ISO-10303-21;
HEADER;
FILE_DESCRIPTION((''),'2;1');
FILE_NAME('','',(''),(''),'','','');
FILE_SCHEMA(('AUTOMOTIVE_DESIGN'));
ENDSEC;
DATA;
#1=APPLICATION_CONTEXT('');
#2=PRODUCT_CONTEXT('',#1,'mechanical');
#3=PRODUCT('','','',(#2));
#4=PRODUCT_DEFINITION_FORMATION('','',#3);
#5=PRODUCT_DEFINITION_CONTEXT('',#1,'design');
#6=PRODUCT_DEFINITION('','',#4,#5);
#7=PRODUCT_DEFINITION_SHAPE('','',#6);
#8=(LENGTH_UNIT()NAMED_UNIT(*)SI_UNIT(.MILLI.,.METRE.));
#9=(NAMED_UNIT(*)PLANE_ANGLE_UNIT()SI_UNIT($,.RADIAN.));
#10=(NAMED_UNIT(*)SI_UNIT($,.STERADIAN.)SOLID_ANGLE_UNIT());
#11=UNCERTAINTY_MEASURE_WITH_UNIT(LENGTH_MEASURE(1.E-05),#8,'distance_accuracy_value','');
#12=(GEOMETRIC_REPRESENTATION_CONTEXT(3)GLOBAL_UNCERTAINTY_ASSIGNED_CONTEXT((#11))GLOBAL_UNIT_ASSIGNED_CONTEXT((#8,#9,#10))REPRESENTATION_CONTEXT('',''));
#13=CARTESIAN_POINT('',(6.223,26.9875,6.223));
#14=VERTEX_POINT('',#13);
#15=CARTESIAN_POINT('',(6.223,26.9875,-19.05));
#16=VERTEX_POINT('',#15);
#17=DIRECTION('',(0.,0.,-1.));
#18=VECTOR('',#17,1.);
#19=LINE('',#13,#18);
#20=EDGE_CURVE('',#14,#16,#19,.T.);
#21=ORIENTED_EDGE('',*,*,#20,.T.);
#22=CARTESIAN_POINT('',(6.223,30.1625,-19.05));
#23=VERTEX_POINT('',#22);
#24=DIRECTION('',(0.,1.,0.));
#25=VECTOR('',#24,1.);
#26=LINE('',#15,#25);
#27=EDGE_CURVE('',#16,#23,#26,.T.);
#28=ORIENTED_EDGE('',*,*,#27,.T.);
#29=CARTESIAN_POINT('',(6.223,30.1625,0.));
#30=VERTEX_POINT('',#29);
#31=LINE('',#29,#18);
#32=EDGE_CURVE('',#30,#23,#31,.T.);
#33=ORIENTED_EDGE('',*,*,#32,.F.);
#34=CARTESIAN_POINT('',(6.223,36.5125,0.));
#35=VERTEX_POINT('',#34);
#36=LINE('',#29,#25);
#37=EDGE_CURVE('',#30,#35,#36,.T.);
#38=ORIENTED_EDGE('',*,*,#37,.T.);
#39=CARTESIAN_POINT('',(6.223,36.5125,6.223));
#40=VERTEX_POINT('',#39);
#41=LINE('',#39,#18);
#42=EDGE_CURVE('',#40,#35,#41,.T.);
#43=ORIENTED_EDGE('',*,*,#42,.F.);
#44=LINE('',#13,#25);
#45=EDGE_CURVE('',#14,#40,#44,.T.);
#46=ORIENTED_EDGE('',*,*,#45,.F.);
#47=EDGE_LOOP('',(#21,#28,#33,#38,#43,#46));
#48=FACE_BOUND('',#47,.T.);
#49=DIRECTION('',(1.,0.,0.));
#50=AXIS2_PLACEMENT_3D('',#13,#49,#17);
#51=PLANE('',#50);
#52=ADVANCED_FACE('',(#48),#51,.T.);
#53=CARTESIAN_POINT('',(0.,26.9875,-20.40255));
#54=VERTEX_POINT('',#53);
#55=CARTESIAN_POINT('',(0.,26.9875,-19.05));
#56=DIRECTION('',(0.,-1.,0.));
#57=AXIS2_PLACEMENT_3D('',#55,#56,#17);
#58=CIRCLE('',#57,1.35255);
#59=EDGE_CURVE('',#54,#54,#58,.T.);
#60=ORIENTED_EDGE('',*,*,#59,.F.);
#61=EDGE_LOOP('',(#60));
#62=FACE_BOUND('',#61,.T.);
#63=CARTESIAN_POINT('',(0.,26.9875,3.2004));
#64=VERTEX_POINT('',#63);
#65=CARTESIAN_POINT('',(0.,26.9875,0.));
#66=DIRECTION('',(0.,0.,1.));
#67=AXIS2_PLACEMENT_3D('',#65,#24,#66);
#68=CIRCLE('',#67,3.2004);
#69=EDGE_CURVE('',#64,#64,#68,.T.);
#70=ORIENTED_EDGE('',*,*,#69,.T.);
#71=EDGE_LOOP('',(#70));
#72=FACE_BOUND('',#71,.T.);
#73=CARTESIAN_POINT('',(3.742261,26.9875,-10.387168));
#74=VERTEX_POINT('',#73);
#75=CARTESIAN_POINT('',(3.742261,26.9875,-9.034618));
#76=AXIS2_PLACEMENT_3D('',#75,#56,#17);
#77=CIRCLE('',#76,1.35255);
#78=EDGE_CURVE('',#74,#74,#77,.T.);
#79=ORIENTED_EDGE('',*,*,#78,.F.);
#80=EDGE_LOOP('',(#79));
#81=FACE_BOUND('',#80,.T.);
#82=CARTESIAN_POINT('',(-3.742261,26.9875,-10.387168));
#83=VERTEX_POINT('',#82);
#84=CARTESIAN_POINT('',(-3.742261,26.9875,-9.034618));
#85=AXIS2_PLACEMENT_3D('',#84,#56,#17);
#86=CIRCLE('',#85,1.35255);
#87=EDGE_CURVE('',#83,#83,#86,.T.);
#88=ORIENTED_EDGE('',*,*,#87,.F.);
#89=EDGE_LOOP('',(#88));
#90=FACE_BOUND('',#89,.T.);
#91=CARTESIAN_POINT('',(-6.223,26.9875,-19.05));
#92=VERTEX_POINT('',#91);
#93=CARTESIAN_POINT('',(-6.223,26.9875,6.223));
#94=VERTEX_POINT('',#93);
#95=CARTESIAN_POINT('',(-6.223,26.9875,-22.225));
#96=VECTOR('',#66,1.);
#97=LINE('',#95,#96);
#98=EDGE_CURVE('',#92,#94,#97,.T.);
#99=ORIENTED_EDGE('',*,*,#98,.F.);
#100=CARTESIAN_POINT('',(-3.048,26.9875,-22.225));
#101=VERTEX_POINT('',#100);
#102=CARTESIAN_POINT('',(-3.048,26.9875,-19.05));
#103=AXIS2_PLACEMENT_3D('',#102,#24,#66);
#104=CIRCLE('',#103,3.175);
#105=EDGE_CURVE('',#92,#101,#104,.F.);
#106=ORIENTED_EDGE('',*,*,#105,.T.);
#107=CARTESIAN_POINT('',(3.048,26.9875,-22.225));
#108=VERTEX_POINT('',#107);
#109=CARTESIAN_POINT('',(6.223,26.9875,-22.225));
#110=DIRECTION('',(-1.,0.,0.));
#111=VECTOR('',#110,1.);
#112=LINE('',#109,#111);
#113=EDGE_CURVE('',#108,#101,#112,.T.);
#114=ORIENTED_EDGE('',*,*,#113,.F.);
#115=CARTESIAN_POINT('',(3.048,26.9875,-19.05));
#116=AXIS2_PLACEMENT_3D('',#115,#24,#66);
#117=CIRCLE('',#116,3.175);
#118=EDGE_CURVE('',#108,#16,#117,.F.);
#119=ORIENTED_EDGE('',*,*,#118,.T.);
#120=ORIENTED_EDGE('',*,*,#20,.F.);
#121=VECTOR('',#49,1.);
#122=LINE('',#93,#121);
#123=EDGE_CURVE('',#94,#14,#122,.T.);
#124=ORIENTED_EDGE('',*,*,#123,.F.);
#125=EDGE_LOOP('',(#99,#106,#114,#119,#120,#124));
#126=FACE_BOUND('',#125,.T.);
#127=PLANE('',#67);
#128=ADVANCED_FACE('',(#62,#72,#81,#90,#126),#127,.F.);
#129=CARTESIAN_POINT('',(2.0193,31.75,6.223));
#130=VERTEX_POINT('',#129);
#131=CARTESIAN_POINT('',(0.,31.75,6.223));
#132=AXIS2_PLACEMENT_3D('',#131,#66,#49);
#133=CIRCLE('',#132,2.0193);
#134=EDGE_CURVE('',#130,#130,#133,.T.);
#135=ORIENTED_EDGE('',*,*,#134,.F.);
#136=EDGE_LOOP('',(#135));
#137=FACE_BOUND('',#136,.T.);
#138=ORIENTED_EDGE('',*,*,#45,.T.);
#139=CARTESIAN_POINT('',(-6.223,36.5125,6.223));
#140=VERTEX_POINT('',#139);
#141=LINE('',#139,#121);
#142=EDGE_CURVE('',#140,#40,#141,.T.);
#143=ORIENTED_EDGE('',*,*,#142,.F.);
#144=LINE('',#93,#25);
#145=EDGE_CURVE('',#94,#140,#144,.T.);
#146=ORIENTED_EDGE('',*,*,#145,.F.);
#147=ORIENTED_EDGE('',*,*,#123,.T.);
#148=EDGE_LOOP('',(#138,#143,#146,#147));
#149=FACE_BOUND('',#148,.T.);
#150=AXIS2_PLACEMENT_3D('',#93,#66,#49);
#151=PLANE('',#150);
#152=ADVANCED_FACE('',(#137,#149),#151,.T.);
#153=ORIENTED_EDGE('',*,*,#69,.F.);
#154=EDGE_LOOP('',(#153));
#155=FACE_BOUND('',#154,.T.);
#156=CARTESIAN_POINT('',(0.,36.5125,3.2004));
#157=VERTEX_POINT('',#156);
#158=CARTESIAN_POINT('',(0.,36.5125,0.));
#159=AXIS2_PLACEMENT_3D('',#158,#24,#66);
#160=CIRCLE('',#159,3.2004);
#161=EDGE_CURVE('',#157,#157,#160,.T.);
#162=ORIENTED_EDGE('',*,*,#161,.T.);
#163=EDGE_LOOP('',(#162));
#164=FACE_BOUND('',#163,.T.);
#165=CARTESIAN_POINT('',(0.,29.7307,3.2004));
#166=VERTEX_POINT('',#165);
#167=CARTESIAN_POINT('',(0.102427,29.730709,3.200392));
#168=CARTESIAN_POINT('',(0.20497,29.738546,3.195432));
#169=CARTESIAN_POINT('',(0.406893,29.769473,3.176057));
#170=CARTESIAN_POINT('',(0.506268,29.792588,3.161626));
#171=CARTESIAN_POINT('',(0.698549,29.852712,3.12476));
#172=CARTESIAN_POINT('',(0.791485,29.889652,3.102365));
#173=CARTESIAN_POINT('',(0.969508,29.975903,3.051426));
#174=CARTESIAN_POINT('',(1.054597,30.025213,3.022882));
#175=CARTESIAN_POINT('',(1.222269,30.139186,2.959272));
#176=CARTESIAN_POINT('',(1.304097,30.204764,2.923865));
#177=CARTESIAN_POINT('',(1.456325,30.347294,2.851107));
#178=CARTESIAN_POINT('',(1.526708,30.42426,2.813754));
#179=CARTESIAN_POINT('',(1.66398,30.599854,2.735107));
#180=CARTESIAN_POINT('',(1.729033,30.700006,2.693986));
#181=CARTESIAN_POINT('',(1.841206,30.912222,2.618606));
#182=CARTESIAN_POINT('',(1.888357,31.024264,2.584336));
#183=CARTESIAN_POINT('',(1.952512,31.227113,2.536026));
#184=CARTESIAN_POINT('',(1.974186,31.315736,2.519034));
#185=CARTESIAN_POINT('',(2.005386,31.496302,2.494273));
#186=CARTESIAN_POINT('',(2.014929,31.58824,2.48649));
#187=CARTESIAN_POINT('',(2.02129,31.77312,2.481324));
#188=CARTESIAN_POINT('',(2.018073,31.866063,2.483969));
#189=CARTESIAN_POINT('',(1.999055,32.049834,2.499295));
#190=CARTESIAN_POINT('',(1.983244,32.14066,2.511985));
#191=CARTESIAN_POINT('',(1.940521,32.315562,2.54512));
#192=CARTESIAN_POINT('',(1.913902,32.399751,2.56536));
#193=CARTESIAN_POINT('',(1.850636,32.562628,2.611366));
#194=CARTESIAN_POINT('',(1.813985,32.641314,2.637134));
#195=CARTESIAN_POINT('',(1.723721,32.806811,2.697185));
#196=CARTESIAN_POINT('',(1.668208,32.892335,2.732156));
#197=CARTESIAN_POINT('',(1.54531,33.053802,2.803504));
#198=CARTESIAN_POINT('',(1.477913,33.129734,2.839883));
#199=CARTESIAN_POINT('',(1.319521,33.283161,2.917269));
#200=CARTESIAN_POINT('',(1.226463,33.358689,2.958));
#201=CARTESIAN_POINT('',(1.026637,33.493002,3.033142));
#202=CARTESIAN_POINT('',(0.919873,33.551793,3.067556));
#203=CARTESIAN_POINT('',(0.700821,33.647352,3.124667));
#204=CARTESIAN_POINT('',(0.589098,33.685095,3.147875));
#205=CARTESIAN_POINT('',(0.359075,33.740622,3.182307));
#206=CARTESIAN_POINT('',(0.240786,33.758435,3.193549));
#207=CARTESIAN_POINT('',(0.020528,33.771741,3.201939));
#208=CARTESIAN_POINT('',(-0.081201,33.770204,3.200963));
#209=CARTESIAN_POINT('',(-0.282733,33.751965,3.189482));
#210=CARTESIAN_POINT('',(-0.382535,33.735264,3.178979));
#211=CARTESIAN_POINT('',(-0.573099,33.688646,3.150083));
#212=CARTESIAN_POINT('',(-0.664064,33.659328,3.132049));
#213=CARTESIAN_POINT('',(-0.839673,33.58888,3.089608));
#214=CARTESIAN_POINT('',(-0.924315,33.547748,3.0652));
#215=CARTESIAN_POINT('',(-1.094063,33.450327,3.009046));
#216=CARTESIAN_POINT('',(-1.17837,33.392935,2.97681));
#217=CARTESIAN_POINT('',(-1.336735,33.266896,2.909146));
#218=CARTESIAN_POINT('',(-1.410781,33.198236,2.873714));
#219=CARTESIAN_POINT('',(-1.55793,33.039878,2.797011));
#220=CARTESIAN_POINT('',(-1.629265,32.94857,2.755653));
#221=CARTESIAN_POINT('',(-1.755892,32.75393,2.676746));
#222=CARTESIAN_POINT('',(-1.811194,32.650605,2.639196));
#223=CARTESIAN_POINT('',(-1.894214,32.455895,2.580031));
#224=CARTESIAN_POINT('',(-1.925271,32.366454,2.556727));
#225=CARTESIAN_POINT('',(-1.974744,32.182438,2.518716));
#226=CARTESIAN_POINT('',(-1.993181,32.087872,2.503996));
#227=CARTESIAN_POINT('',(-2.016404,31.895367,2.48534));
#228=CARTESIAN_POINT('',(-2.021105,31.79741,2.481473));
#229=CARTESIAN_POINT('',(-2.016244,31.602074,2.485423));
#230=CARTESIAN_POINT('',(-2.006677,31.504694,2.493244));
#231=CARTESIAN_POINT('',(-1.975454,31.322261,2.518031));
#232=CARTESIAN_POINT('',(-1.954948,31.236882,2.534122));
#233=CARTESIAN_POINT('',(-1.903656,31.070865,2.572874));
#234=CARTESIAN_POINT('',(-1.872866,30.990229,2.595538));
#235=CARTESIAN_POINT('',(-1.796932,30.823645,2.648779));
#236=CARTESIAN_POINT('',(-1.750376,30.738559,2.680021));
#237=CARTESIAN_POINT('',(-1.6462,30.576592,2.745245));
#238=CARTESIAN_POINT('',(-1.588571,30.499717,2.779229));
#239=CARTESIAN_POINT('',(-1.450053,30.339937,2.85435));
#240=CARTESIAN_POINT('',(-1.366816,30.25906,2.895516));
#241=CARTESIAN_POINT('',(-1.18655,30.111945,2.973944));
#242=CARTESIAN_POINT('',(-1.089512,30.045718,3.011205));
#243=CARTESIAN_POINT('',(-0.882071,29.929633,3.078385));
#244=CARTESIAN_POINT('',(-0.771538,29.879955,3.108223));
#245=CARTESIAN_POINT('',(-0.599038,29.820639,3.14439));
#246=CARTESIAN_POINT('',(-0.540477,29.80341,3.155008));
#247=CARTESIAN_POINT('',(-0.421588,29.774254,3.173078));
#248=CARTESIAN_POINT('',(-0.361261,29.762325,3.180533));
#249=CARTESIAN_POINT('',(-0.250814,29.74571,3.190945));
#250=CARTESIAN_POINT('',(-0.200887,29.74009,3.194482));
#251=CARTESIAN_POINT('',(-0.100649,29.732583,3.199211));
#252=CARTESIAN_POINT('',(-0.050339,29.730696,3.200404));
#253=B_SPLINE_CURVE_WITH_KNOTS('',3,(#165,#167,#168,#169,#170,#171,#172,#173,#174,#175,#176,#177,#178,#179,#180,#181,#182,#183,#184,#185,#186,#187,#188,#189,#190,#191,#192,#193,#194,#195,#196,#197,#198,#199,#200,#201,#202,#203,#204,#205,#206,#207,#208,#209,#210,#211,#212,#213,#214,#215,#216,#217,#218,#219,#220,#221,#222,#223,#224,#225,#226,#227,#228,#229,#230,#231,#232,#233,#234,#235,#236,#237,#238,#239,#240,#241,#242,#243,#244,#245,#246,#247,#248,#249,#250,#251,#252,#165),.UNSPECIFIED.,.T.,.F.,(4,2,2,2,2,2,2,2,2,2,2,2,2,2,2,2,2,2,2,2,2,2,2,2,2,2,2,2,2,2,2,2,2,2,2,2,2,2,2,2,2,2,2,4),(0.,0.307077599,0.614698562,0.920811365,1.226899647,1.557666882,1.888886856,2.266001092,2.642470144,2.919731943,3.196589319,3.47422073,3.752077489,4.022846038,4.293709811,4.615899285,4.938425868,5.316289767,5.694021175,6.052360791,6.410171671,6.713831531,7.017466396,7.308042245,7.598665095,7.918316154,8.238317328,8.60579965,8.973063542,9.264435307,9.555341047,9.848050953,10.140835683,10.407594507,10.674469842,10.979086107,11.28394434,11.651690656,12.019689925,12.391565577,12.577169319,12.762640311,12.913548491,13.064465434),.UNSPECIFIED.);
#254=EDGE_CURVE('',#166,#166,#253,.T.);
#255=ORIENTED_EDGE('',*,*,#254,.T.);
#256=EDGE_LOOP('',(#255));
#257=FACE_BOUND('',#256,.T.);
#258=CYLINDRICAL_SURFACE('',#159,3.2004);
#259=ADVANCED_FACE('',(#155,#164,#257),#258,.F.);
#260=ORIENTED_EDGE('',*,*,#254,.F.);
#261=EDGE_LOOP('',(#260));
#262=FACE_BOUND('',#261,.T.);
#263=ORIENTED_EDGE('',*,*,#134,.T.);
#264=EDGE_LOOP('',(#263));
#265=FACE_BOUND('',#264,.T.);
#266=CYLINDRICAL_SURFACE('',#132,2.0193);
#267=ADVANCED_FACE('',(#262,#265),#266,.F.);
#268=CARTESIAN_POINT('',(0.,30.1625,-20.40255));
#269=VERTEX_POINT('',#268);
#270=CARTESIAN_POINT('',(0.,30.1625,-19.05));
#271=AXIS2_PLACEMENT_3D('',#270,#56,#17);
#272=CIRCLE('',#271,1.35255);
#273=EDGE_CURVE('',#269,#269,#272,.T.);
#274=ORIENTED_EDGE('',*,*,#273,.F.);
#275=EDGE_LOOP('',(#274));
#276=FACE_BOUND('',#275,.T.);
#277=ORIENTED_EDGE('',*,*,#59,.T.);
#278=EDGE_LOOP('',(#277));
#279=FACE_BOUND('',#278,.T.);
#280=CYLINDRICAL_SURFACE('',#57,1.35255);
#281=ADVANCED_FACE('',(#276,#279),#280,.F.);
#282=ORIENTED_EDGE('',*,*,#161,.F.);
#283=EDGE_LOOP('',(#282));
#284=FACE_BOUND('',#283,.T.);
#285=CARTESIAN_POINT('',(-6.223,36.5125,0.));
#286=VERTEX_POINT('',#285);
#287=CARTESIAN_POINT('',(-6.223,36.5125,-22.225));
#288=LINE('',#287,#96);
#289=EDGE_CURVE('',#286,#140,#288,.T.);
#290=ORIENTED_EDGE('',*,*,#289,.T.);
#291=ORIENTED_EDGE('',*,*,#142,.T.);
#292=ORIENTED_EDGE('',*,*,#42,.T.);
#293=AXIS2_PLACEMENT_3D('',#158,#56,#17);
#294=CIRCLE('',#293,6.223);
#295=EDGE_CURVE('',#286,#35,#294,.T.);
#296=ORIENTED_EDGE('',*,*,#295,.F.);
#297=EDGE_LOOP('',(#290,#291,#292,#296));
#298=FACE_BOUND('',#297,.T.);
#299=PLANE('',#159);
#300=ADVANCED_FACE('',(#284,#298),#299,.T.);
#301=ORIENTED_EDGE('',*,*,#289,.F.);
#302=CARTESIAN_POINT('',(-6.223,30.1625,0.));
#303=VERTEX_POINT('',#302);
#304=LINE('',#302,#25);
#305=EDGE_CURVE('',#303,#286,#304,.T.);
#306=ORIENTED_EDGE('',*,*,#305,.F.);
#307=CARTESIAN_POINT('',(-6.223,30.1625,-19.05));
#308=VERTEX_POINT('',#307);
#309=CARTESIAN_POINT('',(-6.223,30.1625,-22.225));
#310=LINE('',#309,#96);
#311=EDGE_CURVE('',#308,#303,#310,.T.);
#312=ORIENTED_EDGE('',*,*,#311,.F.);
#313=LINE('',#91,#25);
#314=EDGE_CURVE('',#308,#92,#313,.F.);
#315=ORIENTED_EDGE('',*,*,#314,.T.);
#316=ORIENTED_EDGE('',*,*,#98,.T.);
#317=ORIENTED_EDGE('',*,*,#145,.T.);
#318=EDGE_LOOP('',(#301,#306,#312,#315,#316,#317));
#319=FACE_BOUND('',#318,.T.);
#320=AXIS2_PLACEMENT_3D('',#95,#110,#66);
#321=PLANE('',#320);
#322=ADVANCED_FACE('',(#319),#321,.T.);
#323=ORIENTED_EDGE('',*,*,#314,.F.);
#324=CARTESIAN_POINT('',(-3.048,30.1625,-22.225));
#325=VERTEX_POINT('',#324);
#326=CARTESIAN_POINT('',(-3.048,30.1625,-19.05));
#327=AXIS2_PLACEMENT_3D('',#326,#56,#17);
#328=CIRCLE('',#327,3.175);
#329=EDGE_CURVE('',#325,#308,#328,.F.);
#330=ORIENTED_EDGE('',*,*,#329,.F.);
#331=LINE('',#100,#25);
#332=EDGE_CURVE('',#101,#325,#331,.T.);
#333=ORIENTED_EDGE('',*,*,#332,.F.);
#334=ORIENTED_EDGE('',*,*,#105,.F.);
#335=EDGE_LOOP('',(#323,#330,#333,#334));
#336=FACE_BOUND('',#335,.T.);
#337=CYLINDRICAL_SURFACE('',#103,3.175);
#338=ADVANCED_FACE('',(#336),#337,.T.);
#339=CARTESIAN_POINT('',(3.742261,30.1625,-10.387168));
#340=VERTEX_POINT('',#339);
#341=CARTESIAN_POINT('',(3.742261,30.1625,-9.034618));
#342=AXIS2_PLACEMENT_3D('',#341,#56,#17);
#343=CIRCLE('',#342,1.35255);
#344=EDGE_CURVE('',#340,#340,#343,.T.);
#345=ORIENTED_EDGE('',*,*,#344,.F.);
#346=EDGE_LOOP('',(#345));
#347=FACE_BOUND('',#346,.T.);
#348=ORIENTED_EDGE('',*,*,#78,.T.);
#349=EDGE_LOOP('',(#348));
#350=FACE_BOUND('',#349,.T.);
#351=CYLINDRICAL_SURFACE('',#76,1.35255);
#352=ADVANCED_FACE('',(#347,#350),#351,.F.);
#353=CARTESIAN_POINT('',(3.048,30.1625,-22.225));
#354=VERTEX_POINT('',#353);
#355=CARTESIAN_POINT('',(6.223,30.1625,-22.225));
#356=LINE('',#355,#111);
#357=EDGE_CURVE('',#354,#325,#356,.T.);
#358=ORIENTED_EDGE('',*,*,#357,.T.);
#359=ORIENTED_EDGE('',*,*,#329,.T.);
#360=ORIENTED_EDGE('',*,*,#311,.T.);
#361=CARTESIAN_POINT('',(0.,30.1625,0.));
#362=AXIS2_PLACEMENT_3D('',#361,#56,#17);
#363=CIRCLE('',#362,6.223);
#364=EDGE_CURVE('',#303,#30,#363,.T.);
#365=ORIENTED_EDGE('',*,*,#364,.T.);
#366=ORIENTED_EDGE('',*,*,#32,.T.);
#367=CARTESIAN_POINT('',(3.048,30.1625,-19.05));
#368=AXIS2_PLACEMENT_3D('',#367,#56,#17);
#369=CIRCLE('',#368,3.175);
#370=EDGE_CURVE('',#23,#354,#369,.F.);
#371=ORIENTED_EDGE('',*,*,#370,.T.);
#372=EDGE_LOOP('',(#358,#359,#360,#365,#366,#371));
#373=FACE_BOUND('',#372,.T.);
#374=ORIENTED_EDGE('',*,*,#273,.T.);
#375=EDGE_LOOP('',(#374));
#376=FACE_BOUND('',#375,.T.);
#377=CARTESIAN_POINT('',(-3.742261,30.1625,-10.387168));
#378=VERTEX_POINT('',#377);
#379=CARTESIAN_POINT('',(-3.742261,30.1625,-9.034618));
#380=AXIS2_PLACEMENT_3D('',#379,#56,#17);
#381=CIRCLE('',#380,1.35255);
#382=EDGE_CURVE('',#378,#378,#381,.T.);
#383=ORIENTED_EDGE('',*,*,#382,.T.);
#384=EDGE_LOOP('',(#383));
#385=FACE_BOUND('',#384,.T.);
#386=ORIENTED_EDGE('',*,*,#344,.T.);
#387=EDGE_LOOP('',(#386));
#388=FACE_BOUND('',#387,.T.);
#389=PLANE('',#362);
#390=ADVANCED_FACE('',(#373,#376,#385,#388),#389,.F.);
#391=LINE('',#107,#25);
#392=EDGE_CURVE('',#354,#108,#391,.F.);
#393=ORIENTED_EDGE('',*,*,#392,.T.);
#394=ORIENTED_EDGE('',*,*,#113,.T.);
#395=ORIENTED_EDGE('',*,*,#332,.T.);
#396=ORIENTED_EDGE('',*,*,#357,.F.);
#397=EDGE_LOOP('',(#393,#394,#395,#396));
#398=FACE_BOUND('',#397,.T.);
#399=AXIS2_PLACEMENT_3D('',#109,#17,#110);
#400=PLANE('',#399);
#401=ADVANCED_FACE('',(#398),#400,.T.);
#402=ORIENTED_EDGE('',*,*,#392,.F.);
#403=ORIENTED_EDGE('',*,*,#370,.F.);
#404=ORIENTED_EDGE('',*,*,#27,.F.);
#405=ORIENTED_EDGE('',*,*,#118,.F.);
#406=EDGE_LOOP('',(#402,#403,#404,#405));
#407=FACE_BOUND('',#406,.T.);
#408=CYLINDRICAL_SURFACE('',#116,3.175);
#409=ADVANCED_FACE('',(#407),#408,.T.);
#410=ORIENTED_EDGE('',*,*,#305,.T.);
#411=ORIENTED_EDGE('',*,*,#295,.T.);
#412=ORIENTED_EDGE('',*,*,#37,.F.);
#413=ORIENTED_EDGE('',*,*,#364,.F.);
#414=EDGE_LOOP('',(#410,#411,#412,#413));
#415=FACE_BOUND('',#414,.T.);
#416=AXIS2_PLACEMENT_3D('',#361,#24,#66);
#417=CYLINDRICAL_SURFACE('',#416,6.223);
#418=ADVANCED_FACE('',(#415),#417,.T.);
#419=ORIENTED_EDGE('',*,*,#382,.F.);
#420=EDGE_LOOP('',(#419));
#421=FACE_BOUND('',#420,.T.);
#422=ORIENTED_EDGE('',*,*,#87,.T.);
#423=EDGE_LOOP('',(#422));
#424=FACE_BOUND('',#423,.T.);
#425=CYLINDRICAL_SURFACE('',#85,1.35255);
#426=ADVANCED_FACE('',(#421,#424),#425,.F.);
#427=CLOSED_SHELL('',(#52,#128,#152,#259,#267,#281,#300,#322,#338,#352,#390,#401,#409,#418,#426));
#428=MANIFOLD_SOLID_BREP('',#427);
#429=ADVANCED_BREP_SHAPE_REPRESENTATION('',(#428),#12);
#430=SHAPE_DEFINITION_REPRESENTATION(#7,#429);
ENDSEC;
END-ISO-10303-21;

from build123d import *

# Parameters (mm, degrees)
SKETCH_1_W                = 12.446
SKETCH_1_H                = 28.448
EXTRUDE_1_DEPTH           = 9.525
CUT_EXTRUDE_1_DEPTH       = 6.35
HOLE_WIZARD_M2_5_1_D      = 2.7051
HOLE_WIZARD_M2_5_1_DEPTH  = 9.525
HOLE_WIZARD_M6_1_D        = 6.4008
HOLE_WIZARD_M3_5_1_REACH  = 48.703
HOLE_WIZARD_M3_5_1_BORE_R = 2.0193
FILLET_1_R                = 3.175


with BuildPart() as part:
    # 草图1 → 凸台-拉伸1 (new body)
    with BuildSketch(Plane(origin=(0, 36.5125, 0), x_dir=(1, 0, 0), z_dir=(0, 1, 0))):
        with Locations((0, 8.001)):
            Rectangle(SKETCH_1_W, SKETCH_1_H)
    extrude(amount=-EXTRUDE_1_DEPTH)

    # 草图2 → 切除-拉伸1 (cut)
    with BuildSketch(Plane(origin=(0, 36.5125, 0), x_dir=(-1, 0, 0), z_dir=(0, 1, 0))):
        with BuildLine():
            Line((6.223, -22.225), (6.223, 0))
            ThreePointArc((6.223, 0), (0, -6.223), (-6.223, 0))
            Line((-6.223, 0), (-6.223, -22.225))
            Line((-6.223, -22.225), (6.223, -22.225))
        make_face()
    extrude(amount=-CUT_EXTRUDE_1_DEPTH, mode=Mode.SUBTRACT)

    # M2.5 间隙孔1
    with Locations(Plane(origin=(0, 26.9875, 0), x_dir=(-1, 0, 0), z_dir=(0, -1, 0))):
        with Locations((-3.742261285, 9.034617948), (3.742261285, 9.034617948), (0, 19.05)):
            Hole(HOLE_WIZARD_M2_5_1_D / 2, depth=HOLE_WIZARD_M2_5_1_DEPTH)

    # M6 间隙孔1 (through all)
    with Locations(Plane(origin=(0, 36.5125, 0), x_dir=(1, 0, 0), z_dir=(0, 1, 0))):
        with Locations((0, 0)):
            Hole(HOLE_WIZARD_M6_1_D / 2)

    # M3.5 间隙孔1 bore → M3.5 间隙孔1 (cut, up to next)
    with BuildSketch(Plane.XY.offset(6.223), mode=Mode.PRIVATE) as hole_wizard_m3_5_1_sk1:
        with Locations((0, 31.75)):
            Circle(HOLE_WIZARD_M3_5_1_BORE_R)
    hole_wizard_m3_5_1_tool1 = extrude(hole_wizard_m3_5_1_sk1.sketch, amount=-HOLE_WIZARD_M3_5_1_REACH, mode=Mode.PRIVATE) & part.part
    add(hole_wizard_m3_5_1_tool1.solids().sort_by_distance((0, 31.75, 6.223))[0], mode=Mode.SUBTRACT)

    # 圆角1
    fillet_1_edges = [part.edges().sort_by_distance(p)[0] for p in [
        (-6.223, 28.575, -22.225),
        (6.223, 28.575, -22.225),
    ]]
    fillet(fillet_1_edges, radius=FILLET_1_R)


solid = part.part
